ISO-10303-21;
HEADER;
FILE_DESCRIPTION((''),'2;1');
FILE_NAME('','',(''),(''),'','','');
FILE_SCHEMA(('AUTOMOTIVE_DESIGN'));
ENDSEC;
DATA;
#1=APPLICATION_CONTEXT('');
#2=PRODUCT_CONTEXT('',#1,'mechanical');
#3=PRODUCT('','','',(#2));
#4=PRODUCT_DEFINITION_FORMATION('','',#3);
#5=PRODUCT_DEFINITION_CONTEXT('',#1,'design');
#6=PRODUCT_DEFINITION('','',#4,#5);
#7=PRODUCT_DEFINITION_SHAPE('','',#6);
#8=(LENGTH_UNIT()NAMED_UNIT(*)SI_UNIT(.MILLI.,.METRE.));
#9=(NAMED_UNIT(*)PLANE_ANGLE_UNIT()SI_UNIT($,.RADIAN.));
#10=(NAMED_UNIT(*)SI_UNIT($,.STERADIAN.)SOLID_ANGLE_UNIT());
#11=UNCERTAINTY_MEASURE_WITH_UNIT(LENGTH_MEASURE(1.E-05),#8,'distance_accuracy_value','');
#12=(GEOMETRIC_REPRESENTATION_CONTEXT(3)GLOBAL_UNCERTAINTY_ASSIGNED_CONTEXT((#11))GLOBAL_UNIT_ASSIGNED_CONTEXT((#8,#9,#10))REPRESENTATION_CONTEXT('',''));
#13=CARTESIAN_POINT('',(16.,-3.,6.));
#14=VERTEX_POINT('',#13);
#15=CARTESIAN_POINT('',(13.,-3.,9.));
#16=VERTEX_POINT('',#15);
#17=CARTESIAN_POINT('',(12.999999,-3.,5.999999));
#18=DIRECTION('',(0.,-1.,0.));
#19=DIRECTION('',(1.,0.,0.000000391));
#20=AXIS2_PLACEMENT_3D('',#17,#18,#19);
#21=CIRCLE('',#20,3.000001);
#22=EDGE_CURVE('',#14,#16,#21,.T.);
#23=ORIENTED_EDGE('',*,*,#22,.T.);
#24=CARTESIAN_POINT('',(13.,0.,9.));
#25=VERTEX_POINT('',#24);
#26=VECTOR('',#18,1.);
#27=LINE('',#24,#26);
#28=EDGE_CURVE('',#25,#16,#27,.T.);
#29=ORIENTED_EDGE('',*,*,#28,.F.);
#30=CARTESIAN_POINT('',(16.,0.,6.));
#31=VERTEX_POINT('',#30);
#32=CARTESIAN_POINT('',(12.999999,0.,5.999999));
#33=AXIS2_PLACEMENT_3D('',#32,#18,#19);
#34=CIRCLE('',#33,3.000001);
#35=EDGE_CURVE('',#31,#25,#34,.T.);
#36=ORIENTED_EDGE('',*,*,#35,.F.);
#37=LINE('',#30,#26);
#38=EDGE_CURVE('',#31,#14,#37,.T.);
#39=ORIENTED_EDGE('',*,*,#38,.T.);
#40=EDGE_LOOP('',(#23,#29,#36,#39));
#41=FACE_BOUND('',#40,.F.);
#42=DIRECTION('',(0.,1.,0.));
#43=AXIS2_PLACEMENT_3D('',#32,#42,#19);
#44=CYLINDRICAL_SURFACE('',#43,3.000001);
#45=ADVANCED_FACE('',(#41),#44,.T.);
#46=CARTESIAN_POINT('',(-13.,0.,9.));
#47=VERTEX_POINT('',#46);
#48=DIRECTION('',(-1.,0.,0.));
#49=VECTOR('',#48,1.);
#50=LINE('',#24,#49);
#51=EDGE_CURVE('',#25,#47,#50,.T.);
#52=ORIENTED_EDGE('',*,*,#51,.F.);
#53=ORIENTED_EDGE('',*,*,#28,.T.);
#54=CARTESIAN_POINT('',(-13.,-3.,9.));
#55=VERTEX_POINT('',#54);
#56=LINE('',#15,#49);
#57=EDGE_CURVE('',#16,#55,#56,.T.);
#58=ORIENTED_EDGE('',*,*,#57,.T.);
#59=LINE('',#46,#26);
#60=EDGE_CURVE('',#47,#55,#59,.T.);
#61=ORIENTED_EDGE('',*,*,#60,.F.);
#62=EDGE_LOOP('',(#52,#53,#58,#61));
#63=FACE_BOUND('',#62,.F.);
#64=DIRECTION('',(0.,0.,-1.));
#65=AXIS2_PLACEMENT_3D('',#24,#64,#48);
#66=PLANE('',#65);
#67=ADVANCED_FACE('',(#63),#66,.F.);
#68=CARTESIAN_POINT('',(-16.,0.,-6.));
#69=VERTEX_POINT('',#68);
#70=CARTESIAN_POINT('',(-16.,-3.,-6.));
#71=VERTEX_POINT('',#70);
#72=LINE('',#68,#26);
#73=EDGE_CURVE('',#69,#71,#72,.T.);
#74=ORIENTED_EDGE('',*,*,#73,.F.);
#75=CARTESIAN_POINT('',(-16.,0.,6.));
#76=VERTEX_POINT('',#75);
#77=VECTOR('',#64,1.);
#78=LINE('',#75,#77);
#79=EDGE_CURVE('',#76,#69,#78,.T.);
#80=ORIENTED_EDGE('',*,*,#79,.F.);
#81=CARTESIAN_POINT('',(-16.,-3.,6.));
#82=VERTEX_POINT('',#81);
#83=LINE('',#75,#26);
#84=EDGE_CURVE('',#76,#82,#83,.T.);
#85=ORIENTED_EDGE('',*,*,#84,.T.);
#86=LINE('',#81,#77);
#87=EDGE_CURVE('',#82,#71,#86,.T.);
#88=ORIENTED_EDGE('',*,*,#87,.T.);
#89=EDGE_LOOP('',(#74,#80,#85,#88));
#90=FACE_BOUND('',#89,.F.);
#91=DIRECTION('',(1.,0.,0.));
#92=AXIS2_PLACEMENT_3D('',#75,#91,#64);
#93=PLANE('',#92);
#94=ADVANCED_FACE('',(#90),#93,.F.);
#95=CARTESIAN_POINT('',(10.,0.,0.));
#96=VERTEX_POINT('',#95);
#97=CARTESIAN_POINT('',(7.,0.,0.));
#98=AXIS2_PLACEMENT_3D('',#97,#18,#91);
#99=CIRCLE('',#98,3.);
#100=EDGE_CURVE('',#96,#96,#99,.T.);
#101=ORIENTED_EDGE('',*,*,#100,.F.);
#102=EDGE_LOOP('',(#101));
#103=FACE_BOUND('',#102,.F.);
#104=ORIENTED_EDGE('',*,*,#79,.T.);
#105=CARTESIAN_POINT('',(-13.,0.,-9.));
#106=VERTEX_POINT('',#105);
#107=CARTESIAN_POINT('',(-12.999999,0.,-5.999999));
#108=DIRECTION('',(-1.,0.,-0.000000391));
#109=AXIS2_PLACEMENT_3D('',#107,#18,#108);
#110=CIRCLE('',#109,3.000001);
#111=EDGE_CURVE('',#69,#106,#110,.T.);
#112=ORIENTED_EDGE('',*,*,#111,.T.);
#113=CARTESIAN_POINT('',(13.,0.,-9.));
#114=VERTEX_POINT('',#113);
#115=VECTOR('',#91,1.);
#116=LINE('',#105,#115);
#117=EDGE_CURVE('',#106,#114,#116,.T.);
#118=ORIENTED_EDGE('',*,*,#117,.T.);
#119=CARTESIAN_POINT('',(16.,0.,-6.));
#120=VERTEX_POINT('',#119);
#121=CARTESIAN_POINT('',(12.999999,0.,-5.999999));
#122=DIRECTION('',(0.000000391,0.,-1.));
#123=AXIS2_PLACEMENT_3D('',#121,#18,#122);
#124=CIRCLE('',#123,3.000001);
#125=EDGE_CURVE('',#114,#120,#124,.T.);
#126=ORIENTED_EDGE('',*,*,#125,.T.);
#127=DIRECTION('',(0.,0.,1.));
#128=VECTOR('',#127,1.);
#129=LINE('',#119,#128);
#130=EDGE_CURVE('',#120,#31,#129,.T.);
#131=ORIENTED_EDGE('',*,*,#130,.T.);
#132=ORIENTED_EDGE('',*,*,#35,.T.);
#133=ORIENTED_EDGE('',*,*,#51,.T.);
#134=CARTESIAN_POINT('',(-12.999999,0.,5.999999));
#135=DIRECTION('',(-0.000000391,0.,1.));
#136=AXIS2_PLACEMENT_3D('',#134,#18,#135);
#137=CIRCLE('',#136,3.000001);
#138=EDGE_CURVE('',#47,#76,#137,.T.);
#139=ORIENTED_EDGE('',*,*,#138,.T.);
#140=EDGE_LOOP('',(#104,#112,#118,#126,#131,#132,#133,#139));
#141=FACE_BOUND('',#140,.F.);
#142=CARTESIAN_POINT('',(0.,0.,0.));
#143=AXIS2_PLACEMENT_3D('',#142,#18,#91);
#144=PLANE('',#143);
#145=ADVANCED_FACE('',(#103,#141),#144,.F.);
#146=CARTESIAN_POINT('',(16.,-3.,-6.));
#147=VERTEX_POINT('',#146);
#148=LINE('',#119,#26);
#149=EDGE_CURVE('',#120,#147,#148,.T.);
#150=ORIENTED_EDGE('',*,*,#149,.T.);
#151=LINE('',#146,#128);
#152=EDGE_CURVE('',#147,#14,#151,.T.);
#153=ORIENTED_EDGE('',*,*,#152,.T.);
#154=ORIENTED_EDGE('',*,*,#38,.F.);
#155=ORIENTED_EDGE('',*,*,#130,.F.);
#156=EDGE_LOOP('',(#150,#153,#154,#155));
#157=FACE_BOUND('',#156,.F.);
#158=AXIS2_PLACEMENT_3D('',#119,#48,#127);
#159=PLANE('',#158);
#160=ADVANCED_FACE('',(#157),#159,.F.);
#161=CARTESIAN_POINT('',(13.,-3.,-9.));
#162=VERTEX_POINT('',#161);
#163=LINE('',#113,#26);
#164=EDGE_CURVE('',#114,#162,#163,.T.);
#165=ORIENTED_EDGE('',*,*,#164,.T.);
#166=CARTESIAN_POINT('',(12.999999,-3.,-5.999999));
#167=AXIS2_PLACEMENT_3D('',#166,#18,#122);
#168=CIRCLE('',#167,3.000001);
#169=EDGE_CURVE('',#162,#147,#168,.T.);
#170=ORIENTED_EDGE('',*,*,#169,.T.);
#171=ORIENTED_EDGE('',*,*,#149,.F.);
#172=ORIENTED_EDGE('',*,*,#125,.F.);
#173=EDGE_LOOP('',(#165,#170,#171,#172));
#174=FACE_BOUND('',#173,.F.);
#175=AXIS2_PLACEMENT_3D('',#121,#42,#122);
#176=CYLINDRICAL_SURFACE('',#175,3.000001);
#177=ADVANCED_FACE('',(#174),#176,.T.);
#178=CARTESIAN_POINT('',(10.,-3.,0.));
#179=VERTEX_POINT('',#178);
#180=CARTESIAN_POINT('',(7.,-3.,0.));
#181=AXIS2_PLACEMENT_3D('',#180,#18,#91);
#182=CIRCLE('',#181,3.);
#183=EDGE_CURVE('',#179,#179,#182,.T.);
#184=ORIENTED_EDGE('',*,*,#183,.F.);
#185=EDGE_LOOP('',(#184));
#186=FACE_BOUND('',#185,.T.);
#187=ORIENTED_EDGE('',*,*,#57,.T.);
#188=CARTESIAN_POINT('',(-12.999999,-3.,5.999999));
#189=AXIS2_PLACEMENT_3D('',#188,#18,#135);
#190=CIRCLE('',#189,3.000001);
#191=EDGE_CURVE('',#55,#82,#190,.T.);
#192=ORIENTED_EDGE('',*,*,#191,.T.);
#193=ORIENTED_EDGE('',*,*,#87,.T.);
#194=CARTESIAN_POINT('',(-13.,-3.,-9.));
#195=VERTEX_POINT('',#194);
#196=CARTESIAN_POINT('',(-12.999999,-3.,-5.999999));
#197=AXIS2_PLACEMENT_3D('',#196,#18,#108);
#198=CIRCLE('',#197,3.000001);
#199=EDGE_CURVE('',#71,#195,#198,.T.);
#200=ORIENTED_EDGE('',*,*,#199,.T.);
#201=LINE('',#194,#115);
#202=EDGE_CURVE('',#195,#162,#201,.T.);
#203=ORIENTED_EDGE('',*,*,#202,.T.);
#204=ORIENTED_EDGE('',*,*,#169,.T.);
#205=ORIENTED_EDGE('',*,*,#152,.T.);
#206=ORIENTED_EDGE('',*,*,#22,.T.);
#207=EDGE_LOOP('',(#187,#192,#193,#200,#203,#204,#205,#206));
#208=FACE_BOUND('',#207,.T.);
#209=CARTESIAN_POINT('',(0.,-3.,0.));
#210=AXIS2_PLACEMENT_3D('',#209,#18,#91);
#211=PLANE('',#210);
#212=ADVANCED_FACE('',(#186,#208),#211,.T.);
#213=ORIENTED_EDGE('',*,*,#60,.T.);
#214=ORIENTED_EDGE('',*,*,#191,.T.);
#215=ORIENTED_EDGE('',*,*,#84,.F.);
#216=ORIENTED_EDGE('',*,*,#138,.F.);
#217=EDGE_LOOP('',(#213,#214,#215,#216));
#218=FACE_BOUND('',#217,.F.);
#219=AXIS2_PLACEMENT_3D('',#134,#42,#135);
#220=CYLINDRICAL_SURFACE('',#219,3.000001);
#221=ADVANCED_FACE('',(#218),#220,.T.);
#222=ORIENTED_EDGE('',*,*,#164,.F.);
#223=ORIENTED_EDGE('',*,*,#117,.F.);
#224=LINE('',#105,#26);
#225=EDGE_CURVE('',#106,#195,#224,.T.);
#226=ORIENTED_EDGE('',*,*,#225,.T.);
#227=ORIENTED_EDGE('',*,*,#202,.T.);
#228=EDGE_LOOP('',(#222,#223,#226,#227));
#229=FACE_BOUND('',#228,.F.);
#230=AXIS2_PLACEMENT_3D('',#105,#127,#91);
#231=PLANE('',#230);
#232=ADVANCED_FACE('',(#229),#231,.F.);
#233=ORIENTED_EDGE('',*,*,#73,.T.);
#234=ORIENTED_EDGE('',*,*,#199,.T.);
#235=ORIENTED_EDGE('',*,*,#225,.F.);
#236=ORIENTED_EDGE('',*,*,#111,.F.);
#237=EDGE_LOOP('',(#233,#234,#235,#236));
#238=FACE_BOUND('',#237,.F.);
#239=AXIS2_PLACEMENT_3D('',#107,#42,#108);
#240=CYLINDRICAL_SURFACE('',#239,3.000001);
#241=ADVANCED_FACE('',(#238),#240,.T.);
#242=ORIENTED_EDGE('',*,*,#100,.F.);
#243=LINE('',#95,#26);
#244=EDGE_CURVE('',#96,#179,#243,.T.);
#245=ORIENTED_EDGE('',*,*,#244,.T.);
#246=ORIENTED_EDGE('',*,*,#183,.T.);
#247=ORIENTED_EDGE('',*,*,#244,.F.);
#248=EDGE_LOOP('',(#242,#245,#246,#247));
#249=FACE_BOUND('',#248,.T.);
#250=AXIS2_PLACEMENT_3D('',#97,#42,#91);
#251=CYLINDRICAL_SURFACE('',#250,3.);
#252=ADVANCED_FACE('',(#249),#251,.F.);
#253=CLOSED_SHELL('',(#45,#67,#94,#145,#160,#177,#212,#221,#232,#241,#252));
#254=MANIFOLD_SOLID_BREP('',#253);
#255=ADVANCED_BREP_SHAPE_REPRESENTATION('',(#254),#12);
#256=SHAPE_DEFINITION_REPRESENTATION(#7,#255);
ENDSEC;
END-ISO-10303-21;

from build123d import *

# Parameters (mm, degrees)
F0_R     = 3
F1_DEPTH = 3


with BuildPart() as f1:
    # F0 (on Front) → F1 (new body)
    with BuildSketch(Plane.XZ):
        with BuildLine():
            Line((-13, -9), (13, -9))
            ThreePointArc((13, -9), (15.12132, -8.12132), (16, -6))
            Line((16, -6), (16, 6))
            ThreePointArc((16, 6), (15.12132, 8.12132), (13, 9))
            Line((13, 9), (-13, 9))
            ThreePointArc((-13, 9), (-15.12132, 8.12132), (-16, 6))
            Line((-16, 6), (-16, -6))
            ThreePointArc((-16, -6), (-15.12132, -8.12132), (-13, -9))
        make_face()
        with Locations((7, 0)):
            Circle(F0_R, mode=Mode.SUBTRACT)
    extrude(amount=F1_DEPTH)


solid = f1.part
